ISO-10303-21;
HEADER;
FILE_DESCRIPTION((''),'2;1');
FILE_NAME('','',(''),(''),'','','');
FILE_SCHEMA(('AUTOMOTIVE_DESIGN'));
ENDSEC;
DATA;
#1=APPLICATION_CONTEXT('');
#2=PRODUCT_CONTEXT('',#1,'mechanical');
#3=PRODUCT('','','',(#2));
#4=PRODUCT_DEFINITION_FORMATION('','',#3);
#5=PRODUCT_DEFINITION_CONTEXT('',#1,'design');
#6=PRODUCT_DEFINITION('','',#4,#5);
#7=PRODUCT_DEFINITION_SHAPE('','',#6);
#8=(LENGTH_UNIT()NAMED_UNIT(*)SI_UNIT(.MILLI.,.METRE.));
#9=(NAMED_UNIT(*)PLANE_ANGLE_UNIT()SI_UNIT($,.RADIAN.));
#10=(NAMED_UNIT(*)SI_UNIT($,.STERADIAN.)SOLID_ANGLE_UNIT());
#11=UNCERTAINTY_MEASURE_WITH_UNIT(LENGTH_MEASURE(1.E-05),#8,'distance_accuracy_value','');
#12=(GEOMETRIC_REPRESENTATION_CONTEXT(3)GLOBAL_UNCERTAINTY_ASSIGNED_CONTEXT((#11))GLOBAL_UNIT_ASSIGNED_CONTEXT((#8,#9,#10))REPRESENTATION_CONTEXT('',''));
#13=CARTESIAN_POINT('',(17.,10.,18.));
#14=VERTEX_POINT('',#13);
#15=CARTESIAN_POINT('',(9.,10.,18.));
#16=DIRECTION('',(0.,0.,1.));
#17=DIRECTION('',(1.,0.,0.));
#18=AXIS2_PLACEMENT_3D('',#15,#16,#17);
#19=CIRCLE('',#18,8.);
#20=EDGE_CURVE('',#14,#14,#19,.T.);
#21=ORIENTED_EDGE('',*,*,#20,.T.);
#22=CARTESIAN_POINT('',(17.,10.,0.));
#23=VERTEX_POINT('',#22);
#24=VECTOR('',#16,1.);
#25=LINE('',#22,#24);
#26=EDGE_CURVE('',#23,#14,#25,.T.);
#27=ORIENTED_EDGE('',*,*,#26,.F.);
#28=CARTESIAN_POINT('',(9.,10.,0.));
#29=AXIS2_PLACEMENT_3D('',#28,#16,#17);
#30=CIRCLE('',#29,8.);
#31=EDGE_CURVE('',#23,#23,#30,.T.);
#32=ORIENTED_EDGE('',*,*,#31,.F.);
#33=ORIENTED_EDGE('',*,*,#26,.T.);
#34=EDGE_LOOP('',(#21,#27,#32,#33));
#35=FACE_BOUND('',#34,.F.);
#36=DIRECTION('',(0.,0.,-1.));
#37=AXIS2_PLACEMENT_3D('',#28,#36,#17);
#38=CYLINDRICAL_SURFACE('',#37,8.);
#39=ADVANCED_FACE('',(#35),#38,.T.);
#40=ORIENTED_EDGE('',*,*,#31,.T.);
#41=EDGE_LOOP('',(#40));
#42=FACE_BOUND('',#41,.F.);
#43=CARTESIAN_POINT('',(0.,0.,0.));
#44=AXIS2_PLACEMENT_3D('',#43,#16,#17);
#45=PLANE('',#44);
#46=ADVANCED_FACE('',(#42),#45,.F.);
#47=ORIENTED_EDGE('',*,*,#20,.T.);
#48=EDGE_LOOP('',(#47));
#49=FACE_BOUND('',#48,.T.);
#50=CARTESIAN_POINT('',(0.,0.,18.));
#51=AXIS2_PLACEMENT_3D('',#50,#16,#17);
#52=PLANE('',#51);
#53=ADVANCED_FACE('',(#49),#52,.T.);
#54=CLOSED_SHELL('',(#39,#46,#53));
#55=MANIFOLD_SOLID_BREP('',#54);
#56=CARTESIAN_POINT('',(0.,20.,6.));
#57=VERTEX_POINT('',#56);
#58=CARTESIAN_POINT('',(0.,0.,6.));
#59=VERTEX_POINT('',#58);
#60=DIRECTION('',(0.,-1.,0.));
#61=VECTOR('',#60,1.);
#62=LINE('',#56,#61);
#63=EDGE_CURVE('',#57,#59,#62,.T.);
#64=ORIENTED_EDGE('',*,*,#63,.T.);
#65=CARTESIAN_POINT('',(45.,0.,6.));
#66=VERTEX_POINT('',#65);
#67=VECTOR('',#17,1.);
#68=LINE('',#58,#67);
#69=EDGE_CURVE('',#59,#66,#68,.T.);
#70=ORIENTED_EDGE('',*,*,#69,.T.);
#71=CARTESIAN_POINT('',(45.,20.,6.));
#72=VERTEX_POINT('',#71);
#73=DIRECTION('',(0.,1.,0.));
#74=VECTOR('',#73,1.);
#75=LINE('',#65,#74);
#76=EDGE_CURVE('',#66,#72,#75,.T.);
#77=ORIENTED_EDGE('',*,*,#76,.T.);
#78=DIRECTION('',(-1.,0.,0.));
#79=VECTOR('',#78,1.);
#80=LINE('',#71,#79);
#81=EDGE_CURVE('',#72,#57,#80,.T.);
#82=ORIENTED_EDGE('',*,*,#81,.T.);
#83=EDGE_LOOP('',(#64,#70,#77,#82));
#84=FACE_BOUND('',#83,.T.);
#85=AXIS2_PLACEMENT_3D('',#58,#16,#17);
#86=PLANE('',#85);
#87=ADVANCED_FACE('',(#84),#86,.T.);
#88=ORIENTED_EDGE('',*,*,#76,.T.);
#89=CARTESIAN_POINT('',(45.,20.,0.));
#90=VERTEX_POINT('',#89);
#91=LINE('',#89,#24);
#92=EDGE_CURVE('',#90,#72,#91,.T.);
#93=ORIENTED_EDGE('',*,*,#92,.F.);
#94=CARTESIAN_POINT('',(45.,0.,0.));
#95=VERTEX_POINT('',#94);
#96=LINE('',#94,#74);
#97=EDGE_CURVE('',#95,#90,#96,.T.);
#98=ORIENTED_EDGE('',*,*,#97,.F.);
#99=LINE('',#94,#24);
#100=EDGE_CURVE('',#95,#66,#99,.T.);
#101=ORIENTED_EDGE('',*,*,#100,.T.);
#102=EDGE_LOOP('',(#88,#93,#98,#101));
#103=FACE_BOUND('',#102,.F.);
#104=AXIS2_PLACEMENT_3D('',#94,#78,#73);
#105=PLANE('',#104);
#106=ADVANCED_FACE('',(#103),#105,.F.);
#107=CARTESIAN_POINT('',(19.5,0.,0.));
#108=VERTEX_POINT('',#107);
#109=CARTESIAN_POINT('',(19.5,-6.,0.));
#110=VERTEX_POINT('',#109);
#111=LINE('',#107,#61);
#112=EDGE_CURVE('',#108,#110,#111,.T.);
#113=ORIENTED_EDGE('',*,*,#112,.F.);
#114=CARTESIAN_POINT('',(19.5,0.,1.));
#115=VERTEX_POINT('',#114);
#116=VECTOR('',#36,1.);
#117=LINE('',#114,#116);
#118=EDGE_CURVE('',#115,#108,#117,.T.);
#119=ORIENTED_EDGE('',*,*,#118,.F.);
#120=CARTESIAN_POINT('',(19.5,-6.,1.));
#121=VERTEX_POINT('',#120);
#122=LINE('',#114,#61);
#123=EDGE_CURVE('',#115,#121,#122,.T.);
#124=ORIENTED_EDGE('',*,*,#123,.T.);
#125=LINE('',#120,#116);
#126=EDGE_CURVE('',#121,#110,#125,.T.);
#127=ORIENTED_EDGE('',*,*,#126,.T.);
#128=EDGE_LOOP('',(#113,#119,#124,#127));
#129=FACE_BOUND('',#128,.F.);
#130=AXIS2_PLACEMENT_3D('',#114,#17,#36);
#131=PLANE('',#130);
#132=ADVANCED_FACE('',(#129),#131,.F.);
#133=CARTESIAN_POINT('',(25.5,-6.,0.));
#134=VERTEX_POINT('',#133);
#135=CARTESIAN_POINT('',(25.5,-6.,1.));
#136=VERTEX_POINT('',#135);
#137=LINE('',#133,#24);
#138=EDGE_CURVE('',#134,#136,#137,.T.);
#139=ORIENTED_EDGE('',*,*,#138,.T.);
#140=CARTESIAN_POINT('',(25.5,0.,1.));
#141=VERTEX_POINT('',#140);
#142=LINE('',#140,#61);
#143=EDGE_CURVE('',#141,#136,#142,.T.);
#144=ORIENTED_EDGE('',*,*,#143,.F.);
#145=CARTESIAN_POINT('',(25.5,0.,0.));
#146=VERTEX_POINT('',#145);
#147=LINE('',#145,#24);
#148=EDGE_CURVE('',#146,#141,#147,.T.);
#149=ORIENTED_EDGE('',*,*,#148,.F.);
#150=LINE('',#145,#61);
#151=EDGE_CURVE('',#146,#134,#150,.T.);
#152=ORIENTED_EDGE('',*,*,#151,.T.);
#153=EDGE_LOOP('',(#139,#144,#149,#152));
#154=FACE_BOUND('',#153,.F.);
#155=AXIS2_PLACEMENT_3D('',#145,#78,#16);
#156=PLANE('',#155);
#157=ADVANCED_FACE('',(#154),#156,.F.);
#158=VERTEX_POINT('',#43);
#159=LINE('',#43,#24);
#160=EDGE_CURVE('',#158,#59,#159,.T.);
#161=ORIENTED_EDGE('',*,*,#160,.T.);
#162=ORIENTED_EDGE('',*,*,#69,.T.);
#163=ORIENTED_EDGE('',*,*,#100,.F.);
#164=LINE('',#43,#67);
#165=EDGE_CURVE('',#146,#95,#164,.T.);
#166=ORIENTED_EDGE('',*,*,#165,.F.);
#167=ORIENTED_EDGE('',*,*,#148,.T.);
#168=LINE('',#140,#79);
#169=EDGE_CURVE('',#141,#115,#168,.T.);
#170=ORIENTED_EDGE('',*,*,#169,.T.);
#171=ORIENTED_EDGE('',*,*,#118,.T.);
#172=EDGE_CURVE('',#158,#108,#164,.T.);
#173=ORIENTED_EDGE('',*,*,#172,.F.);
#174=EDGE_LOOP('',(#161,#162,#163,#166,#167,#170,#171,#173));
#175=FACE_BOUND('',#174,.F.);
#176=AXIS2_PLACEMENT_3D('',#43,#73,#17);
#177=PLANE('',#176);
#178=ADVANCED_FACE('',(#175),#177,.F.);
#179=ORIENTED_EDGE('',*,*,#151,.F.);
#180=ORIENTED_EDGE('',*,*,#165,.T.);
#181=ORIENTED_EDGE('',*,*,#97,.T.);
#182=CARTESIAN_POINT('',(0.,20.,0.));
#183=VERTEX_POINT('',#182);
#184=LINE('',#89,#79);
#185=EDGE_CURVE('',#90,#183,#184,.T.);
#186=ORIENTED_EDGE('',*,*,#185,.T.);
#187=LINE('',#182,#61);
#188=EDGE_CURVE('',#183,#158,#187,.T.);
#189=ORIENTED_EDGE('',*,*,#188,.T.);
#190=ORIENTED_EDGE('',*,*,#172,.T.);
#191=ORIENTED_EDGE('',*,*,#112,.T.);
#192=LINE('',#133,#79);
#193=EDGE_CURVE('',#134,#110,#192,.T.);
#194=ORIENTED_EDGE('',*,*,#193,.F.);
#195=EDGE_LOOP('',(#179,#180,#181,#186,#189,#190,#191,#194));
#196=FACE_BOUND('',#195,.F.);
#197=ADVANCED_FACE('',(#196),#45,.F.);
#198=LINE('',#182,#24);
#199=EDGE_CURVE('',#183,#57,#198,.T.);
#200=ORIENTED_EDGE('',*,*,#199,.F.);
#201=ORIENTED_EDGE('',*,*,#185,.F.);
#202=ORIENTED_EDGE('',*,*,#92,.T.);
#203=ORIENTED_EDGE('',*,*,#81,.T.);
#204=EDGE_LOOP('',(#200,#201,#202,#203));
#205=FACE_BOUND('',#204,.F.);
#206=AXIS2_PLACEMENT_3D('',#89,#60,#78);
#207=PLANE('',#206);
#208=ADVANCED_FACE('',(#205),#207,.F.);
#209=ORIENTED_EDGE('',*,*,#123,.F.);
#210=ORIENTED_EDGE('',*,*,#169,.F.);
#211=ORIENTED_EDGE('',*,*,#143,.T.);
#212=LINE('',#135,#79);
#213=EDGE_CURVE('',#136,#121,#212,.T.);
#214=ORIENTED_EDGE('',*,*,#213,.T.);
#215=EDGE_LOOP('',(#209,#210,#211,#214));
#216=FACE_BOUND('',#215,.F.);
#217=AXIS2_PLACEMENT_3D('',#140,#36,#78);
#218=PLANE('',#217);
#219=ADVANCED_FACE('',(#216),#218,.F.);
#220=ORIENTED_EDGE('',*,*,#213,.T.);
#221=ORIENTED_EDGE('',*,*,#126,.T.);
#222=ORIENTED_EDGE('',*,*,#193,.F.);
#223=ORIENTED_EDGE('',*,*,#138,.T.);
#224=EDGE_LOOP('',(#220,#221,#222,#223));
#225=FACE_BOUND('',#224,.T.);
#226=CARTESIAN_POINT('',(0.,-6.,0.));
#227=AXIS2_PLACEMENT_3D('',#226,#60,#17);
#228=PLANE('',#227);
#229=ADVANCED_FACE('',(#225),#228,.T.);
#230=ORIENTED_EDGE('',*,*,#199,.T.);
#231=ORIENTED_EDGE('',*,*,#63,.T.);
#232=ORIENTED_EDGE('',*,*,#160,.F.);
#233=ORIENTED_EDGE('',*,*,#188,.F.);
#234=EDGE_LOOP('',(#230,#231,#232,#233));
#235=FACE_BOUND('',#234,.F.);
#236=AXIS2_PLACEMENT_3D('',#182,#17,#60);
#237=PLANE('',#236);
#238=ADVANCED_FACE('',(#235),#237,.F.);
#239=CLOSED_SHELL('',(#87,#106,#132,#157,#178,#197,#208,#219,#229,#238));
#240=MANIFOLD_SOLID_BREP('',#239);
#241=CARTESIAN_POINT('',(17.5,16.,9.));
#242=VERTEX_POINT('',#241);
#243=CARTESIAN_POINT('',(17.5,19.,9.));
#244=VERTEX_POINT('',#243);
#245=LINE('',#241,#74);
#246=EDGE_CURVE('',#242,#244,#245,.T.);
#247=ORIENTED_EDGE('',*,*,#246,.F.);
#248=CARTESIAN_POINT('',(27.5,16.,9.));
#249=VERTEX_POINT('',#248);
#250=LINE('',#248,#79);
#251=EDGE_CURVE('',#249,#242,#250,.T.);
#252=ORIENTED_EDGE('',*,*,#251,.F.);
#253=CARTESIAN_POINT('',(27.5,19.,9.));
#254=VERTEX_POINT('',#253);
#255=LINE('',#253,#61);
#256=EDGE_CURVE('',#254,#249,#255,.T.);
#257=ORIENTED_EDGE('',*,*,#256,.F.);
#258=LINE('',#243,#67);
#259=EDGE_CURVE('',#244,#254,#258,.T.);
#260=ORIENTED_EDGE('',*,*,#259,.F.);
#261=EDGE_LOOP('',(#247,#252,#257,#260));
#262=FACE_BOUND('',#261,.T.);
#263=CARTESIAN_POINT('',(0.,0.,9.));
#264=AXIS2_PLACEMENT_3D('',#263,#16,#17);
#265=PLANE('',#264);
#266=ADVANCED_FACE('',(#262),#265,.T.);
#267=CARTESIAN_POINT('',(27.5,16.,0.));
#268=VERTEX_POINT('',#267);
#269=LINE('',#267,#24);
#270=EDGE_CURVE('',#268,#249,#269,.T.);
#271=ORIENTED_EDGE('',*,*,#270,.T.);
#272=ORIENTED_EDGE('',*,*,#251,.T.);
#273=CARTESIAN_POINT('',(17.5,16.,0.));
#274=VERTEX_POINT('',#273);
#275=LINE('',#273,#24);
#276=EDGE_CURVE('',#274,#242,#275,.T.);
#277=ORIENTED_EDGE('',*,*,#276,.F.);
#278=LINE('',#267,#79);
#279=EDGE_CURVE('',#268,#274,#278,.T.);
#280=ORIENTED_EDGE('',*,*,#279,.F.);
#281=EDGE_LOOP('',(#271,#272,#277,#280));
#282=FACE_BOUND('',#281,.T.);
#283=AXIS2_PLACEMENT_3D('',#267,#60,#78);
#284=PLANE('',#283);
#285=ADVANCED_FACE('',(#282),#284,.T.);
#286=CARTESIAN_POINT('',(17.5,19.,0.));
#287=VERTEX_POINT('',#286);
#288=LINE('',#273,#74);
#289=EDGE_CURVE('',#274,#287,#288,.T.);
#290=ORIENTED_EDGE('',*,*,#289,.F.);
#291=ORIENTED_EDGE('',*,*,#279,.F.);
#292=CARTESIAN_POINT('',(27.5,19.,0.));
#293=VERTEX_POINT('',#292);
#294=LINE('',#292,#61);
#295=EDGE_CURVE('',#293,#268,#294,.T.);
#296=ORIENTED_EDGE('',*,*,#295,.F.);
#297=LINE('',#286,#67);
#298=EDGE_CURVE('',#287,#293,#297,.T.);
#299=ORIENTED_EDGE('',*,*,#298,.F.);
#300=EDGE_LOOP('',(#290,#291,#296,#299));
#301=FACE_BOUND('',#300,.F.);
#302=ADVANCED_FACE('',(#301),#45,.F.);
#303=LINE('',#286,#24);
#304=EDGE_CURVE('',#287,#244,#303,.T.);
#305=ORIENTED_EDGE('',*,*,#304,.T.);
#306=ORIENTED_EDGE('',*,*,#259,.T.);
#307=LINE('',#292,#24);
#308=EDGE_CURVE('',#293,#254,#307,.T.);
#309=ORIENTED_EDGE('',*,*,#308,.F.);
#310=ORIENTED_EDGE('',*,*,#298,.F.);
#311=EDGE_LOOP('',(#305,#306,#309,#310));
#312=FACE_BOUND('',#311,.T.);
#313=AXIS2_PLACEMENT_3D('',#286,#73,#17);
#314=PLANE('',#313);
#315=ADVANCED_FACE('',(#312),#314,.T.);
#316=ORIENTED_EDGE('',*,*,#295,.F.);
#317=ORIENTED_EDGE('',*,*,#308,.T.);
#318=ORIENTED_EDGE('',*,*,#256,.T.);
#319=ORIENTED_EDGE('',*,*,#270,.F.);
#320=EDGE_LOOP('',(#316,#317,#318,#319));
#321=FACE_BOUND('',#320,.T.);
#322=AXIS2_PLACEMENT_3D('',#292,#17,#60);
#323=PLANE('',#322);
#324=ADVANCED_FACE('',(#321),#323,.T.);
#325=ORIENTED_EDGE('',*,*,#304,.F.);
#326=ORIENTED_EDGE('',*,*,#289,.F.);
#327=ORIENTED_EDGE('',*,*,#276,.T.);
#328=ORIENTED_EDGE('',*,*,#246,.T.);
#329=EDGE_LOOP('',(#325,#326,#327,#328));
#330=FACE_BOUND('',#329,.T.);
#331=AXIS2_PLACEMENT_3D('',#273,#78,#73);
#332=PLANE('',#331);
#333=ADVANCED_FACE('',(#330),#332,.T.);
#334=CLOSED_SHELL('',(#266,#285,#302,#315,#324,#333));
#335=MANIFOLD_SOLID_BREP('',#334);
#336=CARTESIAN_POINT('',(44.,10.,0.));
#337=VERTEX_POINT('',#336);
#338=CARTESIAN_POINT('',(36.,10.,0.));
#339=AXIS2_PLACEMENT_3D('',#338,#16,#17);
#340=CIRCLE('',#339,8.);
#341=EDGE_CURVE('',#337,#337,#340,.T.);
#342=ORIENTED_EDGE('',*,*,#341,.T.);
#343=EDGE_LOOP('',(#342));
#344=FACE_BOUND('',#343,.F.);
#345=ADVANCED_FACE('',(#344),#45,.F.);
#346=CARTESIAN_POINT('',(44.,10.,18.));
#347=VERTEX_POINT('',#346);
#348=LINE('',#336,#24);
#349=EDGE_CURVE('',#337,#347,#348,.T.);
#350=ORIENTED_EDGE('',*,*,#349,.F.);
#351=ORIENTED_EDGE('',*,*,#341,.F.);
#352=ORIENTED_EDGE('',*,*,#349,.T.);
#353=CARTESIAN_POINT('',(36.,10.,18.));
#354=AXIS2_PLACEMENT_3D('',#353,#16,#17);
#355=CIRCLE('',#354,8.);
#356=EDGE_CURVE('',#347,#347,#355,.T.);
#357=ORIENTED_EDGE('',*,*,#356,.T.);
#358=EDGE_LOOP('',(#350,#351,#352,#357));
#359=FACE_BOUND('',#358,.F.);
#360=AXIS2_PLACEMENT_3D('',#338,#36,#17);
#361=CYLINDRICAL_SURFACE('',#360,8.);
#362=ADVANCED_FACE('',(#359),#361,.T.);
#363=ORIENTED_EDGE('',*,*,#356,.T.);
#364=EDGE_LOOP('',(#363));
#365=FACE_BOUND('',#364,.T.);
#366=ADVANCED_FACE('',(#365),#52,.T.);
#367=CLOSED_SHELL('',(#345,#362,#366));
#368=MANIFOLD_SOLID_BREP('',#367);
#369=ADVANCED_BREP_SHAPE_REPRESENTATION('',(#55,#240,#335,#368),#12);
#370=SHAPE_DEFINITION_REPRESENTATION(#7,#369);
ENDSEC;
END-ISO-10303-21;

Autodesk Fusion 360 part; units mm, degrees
sketch "Sketch1" plane through (0, 0, 0) normal (0, 0, 1) x (1, 0, 0)
  line L0 (0, 0) -> (45, 0)
  line L1 (45, 0) -> (45, 20)
  line L2 (45, 20) -> (0, 20)
  line L3 (0, 20) -> (0, 0)
  line L4 (17.5, 19) -> (27.5, 19)
  line L5 (27.5, 19) -> (27.5, 16)
  line L6 (27.5, 16) -> (17.5, 16)
  line L7 (17.5, 16) -> (17.5, 19)
  circle A0 centre (9, 10) radius 8
  circle A1 centre (36, 10) radius 8
  dimension "d1" = 45
  dimension "d2" = 20
  dimension "d3" = 10
  dimension "d4" = 3
  dimension "d5" = 16
  dimension "d6" = 16
  dimension "d7" = 9
  dimension "d8" = 9
  dimension "d9" = 17.5
  dimension "d10" = 1
  dimension "d11" = 10
  dimension "d12" = 10
extrude "Extrude1" add sketch "Sketch1" along normal blind 6 contours L0 L1 L2 L3 | L4 L5 L6 L7 | A0 | A1 makes body 1
extrude "Extrude2" add sketch "Sketch1" along normal blind 18 separate body contours A0 makes body 2
extrude "Extrude3" add sketch "Sketch1" along normal blind 18 separate body contours A1 makes body 3
extrude "Extrude4" add sketch "Sketch1" along normal blind 9 separate body contours L4 L5 L6 L7 makes body 4
sketch "Sketch2" plane through (0, 0, 0) normal (0, -1, 0) x (1, 0, 0)
  line L0 (0, 0) -> (45, 0)
  line L1 (45, 0) -> (45, 6)
  line L2 (45, 6) -> (0, 6)
  line L3 (0, 6) -> (0, 0)
  line L4 (17.5, 0) -> (23.5, 0)
  line L5 (19.5, 0) -> (25.5, 0)
  line L6 (25.5, 0) -> (25.5, 1)
  line L7 (25.5, 1) -> (19.5, 1)
  line L8 (19.5, 1) -> (19.5, 0)
  dimension "d26" = 19.5
extrude "Extrude5" add sketch "Sketch2" along normal blind 6 contours L0 L4 L5 L6 L7 L8 bodies 1
